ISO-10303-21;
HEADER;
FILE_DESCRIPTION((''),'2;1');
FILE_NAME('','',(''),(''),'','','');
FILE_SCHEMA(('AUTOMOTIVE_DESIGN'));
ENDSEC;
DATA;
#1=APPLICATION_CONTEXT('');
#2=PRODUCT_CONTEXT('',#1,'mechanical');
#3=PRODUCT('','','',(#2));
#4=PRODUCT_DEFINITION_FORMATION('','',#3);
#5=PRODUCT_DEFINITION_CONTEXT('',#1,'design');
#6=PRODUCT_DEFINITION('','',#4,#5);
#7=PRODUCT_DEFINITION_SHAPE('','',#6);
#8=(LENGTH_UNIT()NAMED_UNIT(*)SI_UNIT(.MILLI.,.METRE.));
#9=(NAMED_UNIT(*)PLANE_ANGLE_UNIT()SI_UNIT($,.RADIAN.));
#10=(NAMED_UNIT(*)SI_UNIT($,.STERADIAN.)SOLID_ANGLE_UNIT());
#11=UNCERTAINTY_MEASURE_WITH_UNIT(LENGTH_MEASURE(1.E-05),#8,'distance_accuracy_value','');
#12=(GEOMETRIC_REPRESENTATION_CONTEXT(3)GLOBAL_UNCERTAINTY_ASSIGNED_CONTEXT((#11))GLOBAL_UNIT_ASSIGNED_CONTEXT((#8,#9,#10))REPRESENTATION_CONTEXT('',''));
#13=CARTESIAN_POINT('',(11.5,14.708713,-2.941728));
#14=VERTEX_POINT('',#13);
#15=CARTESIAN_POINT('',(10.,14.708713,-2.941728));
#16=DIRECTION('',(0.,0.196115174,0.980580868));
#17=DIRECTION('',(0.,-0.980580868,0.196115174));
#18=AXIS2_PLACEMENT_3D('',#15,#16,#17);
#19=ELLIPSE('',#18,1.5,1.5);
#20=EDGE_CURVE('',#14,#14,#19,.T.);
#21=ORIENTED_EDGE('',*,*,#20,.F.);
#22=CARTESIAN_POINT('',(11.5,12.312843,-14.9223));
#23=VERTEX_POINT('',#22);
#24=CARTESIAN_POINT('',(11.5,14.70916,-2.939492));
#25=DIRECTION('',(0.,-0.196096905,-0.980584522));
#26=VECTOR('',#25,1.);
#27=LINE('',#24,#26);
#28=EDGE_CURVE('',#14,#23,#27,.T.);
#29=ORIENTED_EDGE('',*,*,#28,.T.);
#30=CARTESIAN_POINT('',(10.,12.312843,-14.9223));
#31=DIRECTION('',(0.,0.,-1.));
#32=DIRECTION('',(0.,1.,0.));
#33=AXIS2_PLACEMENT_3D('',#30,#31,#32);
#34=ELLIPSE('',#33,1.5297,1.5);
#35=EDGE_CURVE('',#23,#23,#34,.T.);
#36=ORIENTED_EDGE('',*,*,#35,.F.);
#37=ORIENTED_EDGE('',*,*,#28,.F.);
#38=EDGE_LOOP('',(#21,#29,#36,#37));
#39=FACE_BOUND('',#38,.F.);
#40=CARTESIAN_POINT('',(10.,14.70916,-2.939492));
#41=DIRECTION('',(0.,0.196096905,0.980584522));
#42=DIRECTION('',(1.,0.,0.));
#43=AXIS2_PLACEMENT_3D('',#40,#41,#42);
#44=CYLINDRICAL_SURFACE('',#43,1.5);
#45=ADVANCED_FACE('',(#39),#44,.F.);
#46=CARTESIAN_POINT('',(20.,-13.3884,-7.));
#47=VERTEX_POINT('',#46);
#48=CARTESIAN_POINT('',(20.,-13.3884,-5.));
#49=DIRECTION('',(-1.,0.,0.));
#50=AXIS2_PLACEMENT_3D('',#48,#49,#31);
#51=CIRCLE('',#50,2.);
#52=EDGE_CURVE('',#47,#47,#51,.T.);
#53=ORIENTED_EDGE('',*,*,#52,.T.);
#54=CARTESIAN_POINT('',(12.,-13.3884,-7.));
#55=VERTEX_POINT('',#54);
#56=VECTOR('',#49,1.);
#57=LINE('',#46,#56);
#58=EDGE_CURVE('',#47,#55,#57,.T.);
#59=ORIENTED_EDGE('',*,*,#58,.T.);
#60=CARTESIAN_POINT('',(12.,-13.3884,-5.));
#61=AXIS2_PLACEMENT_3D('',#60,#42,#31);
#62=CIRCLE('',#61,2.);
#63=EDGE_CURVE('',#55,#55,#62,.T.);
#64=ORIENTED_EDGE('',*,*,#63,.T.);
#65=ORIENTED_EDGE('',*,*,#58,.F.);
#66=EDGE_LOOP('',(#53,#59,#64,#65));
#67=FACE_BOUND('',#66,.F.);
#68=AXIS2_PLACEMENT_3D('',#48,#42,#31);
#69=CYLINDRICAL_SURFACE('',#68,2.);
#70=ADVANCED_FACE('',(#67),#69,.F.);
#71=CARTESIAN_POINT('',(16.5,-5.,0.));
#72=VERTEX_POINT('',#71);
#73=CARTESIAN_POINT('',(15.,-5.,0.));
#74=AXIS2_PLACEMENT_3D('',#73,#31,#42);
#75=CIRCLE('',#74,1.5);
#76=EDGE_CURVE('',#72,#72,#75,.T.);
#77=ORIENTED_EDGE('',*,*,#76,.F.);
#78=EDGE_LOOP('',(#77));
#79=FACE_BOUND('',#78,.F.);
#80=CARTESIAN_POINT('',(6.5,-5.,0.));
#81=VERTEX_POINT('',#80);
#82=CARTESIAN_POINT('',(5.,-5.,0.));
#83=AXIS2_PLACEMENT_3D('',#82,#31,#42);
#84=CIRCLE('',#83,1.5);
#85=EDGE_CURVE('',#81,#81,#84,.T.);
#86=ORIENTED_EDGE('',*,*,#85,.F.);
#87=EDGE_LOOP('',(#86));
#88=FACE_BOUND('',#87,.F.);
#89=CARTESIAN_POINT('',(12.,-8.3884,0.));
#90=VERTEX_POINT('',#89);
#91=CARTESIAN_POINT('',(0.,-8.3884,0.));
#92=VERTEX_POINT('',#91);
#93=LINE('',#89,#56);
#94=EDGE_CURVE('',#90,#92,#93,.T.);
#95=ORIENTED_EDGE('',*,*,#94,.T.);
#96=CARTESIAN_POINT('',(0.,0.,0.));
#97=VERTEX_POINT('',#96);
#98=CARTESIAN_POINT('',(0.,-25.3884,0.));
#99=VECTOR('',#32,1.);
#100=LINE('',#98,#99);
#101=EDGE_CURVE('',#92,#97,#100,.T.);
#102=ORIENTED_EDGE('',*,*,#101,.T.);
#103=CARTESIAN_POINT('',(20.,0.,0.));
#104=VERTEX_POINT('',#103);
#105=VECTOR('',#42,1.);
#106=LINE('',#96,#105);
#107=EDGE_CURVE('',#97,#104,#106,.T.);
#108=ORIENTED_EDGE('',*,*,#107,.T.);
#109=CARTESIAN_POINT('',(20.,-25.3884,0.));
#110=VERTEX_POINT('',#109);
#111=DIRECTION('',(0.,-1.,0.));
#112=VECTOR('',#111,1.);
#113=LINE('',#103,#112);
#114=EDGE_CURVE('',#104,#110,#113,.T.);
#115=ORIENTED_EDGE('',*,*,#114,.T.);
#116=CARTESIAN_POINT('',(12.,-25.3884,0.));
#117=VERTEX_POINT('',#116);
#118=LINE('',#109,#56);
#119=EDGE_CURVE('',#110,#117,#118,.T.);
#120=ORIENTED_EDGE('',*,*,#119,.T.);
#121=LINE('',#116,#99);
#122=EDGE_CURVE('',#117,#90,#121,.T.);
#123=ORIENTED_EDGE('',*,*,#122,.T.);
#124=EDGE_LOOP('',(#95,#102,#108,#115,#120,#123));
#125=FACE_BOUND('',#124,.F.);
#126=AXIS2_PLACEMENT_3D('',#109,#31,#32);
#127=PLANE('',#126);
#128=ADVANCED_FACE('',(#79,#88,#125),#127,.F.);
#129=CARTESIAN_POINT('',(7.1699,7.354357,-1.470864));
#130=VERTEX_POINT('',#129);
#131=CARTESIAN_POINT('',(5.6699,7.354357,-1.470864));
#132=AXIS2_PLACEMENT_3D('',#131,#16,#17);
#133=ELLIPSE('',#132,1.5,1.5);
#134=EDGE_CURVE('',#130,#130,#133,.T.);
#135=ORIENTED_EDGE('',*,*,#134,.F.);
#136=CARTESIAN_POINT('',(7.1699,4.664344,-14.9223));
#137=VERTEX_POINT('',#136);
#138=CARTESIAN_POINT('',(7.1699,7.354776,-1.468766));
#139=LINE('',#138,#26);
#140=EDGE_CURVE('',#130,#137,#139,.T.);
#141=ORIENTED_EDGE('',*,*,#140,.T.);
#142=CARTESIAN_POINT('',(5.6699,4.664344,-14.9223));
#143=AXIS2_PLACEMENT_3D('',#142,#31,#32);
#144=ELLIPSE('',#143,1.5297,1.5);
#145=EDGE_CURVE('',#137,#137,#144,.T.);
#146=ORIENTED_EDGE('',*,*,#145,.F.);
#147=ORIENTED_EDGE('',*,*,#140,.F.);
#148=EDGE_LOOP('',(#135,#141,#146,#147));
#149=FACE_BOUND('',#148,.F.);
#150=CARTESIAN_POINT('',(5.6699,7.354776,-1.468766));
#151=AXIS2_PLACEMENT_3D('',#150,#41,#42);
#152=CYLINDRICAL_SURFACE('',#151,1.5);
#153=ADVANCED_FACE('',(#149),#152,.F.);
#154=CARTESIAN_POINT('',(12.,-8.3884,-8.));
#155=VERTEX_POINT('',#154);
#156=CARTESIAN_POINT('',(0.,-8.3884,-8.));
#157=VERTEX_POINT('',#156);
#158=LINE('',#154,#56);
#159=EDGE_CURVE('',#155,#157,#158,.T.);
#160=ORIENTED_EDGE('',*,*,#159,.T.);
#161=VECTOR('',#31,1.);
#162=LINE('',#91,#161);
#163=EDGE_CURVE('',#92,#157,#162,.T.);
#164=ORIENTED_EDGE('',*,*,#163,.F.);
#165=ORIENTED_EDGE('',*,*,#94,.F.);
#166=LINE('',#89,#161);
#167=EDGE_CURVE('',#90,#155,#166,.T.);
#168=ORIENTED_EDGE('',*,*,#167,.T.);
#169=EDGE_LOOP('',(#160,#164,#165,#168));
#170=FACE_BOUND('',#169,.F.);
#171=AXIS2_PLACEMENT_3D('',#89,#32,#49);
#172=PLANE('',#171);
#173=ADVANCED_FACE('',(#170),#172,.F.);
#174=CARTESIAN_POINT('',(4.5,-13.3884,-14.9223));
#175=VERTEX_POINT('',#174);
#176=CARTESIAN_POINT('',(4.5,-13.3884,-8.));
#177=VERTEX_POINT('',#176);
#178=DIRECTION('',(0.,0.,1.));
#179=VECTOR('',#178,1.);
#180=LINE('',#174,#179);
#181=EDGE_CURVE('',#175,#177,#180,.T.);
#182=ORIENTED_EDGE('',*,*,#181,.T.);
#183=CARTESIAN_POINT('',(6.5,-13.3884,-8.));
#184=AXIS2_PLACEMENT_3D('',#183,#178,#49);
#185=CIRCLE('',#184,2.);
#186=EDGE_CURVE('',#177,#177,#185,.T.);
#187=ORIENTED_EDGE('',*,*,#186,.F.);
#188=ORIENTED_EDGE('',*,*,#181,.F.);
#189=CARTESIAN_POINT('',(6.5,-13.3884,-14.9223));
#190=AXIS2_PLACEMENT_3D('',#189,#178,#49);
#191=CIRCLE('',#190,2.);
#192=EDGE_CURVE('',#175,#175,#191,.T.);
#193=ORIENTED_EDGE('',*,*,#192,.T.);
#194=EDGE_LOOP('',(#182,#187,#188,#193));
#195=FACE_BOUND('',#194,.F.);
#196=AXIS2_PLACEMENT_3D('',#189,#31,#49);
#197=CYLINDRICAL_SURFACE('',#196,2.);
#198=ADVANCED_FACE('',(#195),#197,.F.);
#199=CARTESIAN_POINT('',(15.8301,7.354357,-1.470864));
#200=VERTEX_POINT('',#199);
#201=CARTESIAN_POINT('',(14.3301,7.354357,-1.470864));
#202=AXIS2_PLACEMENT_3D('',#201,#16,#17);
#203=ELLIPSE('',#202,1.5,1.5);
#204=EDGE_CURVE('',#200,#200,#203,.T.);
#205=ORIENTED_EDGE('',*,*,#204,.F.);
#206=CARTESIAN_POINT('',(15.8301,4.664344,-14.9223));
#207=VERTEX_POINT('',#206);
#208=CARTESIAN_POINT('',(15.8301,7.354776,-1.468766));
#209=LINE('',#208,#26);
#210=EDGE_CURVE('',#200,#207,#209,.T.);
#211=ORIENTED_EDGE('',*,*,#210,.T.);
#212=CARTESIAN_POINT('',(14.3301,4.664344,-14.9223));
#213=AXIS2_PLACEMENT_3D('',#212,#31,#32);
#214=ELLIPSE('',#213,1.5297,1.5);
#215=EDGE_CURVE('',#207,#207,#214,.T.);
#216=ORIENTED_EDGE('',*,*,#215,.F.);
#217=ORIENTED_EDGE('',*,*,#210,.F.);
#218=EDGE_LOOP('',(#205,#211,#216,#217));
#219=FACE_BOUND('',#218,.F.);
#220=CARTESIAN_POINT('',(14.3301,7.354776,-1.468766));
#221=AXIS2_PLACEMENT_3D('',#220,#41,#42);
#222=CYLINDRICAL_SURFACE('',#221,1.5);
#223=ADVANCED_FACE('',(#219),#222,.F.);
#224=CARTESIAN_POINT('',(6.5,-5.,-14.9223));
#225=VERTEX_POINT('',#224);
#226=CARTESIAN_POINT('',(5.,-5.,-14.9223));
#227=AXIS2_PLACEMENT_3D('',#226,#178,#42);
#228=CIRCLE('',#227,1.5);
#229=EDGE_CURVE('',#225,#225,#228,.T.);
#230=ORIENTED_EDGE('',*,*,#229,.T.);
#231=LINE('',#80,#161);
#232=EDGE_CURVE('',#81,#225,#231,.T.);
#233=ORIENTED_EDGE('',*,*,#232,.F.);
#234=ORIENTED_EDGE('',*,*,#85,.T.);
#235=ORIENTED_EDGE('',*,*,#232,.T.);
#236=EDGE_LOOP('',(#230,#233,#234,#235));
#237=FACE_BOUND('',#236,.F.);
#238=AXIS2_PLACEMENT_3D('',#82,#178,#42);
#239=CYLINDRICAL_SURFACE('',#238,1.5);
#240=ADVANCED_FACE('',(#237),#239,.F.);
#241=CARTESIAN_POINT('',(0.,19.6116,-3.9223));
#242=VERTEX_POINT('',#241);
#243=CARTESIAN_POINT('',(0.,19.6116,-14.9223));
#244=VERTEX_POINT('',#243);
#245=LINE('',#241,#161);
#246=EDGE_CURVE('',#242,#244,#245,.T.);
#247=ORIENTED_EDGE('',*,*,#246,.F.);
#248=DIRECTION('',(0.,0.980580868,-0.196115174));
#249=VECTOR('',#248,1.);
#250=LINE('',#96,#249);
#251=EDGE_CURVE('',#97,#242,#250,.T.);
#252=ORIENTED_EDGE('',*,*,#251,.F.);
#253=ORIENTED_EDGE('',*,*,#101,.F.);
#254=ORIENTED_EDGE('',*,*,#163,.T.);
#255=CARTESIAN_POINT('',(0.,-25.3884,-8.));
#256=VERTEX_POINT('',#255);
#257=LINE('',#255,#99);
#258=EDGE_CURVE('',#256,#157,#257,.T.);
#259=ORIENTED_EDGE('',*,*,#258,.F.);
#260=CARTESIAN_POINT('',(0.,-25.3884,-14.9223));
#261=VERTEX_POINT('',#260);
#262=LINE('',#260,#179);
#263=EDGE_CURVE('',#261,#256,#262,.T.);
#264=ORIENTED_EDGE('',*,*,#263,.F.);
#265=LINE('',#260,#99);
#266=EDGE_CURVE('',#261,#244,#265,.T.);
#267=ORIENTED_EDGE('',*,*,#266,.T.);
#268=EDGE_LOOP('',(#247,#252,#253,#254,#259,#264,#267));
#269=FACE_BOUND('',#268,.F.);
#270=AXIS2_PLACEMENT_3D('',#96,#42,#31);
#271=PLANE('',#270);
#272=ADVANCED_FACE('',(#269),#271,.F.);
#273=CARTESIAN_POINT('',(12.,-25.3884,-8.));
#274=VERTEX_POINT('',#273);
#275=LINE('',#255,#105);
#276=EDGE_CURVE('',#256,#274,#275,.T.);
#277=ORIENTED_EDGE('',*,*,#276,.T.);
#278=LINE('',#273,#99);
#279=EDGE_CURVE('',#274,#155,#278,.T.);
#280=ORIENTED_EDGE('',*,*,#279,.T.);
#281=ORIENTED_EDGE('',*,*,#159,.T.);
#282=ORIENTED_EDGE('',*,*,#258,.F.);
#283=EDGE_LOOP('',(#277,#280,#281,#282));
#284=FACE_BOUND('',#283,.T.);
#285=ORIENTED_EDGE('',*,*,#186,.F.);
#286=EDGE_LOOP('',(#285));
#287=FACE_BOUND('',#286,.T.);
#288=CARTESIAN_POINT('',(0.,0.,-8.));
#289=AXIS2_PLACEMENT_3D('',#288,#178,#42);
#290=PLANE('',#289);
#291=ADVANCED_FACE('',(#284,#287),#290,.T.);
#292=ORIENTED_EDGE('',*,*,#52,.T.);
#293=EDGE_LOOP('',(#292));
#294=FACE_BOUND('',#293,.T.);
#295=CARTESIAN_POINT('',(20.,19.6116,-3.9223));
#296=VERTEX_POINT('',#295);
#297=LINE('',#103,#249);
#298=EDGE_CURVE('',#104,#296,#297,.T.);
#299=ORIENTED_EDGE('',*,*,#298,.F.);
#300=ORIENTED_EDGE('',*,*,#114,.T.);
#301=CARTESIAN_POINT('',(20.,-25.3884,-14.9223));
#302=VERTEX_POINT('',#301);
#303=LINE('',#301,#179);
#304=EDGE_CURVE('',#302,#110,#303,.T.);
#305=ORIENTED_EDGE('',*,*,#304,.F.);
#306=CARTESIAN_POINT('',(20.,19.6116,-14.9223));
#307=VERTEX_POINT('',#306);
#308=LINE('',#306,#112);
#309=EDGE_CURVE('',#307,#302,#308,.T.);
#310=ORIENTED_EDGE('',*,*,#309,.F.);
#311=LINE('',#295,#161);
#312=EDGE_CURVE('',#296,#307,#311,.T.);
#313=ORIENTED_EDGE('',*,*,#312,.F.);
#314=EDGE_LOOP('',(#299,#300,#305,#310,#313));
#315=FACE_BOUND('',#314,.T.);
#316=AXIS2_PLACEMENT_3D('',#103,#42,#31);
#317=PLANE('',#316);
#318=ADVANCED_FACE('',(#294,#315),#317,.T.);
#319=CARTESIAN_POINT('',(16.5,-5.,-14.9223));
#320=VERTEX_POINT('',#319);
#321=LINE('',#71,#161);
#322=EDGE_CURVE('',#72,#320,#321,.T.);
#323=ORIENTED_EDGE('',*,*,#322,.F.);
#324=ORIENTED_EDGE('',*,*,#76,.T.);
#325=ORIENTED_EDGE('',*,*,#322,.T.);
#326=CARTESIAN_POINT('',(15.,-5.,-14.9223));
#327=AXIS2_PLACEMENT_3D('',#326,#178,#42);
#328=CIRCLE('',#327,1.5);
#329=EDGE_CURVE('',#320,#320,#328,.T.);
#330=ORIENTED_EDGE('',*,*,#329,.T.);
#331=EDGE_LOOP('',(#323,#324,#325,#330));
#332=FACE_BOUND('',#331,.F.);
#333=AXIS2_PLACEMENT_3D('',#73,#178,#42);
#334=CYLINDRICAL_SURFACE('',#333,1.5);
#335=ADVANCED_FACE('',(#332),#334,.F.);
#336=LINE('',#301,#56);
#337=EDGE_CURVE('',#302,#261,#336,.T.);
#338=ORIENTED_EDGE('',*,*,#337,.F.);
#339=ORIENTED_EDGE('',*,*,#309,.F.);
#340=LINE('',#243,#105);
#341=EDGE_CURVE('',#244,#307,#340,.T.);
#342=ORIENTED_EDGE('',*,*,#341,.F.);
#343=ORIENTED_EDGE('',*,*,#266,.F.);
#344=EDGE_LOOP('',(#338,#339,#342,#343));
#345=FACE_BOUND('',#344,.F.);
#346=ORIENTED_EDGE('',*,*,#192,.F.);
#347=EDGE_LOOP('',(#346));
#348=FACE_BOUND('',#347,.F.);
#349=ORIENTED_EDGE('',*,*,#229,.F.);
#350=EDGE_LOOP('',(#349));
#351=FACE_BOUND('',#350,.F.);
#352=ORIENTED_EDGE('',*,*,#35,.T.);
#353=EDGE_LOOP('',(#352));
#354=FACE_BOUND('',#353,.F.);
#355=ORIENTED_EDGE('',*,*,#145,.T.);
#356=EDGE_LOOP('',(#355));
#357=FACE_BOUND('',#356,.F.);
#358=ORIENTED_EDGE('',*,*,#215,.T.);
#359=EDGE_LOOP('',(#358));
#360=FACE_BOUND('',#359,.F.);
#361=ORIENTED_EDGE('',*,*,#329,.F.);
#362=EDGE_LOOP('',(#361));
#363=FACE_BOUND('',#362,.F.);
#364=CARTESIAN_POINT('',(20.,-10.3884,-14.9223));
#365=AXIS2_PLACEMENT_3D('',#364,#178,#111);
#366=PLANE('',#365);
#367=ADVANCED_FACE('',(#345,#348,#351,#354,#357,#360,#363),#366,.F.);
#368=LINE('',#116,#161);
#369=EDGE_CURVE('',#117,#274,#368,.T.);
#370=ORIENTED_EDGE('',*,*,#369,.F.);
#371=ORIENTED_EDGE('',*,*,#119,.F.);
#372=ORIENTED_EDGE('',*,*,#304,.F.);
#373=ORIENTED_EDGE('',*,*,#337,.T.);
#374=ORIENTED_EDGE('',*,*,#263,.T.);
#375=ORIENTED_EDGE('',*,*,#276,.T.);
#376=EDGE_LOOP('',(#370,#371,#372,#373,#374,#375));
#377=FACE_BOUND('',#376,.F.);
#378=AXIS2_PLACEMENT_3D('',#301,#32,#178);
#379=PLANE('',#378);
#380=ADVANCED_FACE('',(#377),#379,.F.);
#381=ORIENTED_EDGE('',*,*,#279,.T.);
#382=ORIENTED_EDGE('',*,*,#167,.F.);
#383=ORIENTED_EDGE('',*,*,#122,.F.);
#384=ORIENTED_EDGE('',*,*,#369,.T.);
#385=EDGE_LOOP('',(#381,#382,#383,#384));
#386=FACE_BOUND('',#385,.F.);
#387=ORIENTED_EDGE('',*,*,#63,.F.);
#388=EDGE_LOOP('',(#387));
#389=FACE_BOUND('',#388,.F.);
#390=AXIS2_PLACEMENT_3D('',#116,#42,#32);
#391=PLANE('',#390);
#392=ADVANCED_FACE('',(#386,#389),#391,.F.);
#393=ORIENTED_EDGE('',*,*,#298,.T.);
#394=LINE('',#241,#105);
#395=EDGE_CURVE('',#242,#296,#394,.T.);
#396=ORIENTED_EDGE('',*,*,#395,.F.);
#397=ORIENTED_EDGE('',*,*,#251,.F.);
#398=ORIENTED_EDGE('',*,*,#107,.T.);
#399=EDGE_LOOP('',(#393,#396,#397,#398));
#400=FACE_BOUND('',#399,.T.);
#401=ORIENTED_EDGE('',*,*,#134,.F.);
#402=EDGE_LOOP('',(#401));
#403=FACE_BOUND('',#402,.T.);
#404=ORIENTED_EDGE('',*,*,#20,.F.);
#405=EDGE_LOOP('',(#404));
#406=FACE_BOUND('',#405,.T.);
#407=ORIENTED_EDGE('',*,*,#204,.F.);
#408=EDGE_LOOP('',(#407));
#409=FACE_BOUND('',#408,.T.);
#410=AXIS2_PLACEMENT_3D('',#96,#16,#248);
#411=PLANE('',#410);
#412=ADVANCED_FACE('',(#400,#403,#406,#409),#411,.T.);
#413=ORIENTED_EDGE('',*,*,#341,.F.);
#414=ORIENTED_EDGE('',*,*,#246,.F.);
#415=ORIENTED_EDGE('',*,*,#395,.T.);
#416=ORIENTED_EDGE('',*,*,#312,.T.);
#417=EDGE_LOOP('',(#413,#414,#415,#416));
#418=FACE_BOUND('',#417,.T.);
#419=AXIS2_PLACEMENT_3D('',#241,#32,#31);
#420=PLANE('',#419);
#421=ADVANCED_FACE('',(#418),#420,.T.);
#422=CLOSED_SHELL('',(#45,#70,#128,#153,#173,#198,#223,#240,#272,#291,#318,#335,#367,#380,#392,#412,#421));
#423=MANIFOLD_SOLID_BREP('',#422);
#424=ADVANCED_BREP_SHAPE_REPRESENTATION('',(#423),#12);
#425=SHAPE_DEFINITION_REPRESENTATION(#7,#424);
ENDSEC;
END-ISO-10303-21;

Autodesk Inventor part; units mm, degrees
ref_plane "YZ Plane" through (0, 0, 0) normal (1, 0, 0) x (0, 1, 0)
ref_plane "XZ Plane" through (0, 0, 0) normal (0, 1, 0) x (-1, 0, 0)
ref_plane "XY Plane" through (0, 0, 0) normal (0, 0, 1) x (1, 0, 0)
sketch "Sketch1" plane through (0, 0, 0) normal (1, 0, 0) x (0, 1, 0)
  line L0 (0, 0) -> (19.6116, -3.9223)
  line L1 (0, 0) -> (20, 0) construction
  line L2 (19.6116, -3.9223) -> (19.6116, -14.9223)
  line L3 (19.6116, -14.9223) -> (-10.3884, -14.9223)
  line L4 (-10.3884, -14.9223) -> (-10.3884, 0)
  line L5 (-10.3884, 0) -> (0, 0)
  dimension "d0" = 20
  dimension "d1" = 11.31
  dimension "d2" = 11
  dimension "d3" = 30
extrude "Extrusion1" add sketch "Sketch1" along normal blind 20
sketch "Sketch2" plane through (0, 0, 0) normal (0, 0.1961, 0.9806) x (1, 0, 0)
  line L0 (0, 0) -> (10, 0)
  line L1 (0, 0) -> (20, 0) projected
  line L2 (10, 0) -> (10, 15)
  circle A0 centre (10, 15) radius 1.5
  line L3 (10, 15) -> (10, 10)
  circle A1 centre (5.6699, 7.5) radius 1.5
  circle A2 centre (14.3301, 7.5) radius 1.5
  dimension "d6" = 15
  dimension "d7" = 3
  dimension "d8" = 5
  dimension "d11" = 360
extrude "Extrusion2" cut sketch "Sketch2" against normal blind 20
sketch "Sketch3" plane through (0, -10.3884, 0) normal (0, 0, 1) x (1, 0, 0)
  line L0 (0, 10.3884) -> (0, 0) projected
  line L1 (0, 10.3884) -> (0, 5.3884)
  line L2 (0, 5.3884) -> (5, 5.3884)
  line L3 (5, 5.3884) -> (15, 5.3884)
  circle A0 centre (5, 5.3884) radius 1.5
  circle A1 centre (15, 5.3884) radius 1.5
  dimension "d15" = 5
  dimension "d16" = 5
  dimension "d17" = 10
  dimension "d18" = 3
  dimension "d19" = 3
extrude "Extrusion3" cut sketch "Sketch3" against normal blind 20
sketch "Sketch4" plane through (20, 0, 0) normal (1, 0, 0) x (0, 0, -1)
  line L0 (14.9223, -10.3884) -> (14.9223, 19.6116) projected
  line L1 (0, -10.3884) -> (14.9223, -10.3884) projected
  line L2 (14.9223, -10.3884) -> (0, -10.3884)
  point P0 (0, 0)
sketch "Sketch5" plane through (20, 0, 0) normal (1, 0, 0) x (0, 0, -1)
  line L0 (0, 0) -> (0, -10.3884) projected
  line L1 (0, -10.3884) -> (14.9223, -10.3884)
  line L2 (14.9223, -10.3884) -> (14.9223, -25.3884)
  line L3 (14.9223, -25.3884) -> (0, -25.3884)
  line L4 (0, -25.3884) -> (0, -10.3884)
  dimension "d22" = 15
  dimension "d25" = 14.9223
extrude "Extrusion4" add sketch "Sketch5" against normal blind 20
sketch "Sketch10" plane through (0, 0, 0) normal (0, 0, 1) x (1, 0, 0)
  line L0 (0, -25.3884) -> (0, 19.6116) projected
  line L1 (0, -25.3884) -> (12, -25.3884)
  line L2 (12, -25.3884) -> (12, -8.3884)
  line L3 (12, -8.3884) -> (0, -8.3884)
  line L4 (0, -8.3884) -> (0, -25.3884)
  point P0 (0, 0)
  point P1 (0, -8.3884)
  dimension "d39" = 12
  dimension "d40" = 17
extrude "Extrusion8" cut sketch "Sketch10" against normal blind 8
sketch "Sketch11" plane through (20, 0, 0) normal (1, 0, 0) x (0, 0, -1)
  line L0 (0, -25.3884) -> (8, -25.3884) projected
  line L1 (0, -25.3884) -> (5, -25.3884)
  line L2 (5, -25.3884) -> (5, -13.3884)
  circle A0 centre (5, -13.3884) radius 2
  point P0 (0, 0)
  dimension "d43" = 5
  dimension "d44" = 12
  dimension "d45" = 4
extrude "Extrusion9" cut sketch "Sketch11" against normal blind 8
sketch "Sketch12" plane through (20, 19.6116, -14.9223) normal (0, 0, -1) x (-1, 0, 0)
  line L0 (20, -45) -> (20, 0) projected
  line L1 (20, -45) -> (13.5, -45)
  line L2 (8, -45) -> (20, -45) projected
  line L3 (13.5, -45) -> (13.5, -33)
  circle A0 centre (13.5, -33) radius 2
  point P0 (20, -19.6116)
  dimension "d48" = 6.5
  dimension "d49" = 12
  dimension "d50" = 4
extrude "Extrusion10" cut sketch "Sketch12" against normal blind 8
properties part number "connector"
